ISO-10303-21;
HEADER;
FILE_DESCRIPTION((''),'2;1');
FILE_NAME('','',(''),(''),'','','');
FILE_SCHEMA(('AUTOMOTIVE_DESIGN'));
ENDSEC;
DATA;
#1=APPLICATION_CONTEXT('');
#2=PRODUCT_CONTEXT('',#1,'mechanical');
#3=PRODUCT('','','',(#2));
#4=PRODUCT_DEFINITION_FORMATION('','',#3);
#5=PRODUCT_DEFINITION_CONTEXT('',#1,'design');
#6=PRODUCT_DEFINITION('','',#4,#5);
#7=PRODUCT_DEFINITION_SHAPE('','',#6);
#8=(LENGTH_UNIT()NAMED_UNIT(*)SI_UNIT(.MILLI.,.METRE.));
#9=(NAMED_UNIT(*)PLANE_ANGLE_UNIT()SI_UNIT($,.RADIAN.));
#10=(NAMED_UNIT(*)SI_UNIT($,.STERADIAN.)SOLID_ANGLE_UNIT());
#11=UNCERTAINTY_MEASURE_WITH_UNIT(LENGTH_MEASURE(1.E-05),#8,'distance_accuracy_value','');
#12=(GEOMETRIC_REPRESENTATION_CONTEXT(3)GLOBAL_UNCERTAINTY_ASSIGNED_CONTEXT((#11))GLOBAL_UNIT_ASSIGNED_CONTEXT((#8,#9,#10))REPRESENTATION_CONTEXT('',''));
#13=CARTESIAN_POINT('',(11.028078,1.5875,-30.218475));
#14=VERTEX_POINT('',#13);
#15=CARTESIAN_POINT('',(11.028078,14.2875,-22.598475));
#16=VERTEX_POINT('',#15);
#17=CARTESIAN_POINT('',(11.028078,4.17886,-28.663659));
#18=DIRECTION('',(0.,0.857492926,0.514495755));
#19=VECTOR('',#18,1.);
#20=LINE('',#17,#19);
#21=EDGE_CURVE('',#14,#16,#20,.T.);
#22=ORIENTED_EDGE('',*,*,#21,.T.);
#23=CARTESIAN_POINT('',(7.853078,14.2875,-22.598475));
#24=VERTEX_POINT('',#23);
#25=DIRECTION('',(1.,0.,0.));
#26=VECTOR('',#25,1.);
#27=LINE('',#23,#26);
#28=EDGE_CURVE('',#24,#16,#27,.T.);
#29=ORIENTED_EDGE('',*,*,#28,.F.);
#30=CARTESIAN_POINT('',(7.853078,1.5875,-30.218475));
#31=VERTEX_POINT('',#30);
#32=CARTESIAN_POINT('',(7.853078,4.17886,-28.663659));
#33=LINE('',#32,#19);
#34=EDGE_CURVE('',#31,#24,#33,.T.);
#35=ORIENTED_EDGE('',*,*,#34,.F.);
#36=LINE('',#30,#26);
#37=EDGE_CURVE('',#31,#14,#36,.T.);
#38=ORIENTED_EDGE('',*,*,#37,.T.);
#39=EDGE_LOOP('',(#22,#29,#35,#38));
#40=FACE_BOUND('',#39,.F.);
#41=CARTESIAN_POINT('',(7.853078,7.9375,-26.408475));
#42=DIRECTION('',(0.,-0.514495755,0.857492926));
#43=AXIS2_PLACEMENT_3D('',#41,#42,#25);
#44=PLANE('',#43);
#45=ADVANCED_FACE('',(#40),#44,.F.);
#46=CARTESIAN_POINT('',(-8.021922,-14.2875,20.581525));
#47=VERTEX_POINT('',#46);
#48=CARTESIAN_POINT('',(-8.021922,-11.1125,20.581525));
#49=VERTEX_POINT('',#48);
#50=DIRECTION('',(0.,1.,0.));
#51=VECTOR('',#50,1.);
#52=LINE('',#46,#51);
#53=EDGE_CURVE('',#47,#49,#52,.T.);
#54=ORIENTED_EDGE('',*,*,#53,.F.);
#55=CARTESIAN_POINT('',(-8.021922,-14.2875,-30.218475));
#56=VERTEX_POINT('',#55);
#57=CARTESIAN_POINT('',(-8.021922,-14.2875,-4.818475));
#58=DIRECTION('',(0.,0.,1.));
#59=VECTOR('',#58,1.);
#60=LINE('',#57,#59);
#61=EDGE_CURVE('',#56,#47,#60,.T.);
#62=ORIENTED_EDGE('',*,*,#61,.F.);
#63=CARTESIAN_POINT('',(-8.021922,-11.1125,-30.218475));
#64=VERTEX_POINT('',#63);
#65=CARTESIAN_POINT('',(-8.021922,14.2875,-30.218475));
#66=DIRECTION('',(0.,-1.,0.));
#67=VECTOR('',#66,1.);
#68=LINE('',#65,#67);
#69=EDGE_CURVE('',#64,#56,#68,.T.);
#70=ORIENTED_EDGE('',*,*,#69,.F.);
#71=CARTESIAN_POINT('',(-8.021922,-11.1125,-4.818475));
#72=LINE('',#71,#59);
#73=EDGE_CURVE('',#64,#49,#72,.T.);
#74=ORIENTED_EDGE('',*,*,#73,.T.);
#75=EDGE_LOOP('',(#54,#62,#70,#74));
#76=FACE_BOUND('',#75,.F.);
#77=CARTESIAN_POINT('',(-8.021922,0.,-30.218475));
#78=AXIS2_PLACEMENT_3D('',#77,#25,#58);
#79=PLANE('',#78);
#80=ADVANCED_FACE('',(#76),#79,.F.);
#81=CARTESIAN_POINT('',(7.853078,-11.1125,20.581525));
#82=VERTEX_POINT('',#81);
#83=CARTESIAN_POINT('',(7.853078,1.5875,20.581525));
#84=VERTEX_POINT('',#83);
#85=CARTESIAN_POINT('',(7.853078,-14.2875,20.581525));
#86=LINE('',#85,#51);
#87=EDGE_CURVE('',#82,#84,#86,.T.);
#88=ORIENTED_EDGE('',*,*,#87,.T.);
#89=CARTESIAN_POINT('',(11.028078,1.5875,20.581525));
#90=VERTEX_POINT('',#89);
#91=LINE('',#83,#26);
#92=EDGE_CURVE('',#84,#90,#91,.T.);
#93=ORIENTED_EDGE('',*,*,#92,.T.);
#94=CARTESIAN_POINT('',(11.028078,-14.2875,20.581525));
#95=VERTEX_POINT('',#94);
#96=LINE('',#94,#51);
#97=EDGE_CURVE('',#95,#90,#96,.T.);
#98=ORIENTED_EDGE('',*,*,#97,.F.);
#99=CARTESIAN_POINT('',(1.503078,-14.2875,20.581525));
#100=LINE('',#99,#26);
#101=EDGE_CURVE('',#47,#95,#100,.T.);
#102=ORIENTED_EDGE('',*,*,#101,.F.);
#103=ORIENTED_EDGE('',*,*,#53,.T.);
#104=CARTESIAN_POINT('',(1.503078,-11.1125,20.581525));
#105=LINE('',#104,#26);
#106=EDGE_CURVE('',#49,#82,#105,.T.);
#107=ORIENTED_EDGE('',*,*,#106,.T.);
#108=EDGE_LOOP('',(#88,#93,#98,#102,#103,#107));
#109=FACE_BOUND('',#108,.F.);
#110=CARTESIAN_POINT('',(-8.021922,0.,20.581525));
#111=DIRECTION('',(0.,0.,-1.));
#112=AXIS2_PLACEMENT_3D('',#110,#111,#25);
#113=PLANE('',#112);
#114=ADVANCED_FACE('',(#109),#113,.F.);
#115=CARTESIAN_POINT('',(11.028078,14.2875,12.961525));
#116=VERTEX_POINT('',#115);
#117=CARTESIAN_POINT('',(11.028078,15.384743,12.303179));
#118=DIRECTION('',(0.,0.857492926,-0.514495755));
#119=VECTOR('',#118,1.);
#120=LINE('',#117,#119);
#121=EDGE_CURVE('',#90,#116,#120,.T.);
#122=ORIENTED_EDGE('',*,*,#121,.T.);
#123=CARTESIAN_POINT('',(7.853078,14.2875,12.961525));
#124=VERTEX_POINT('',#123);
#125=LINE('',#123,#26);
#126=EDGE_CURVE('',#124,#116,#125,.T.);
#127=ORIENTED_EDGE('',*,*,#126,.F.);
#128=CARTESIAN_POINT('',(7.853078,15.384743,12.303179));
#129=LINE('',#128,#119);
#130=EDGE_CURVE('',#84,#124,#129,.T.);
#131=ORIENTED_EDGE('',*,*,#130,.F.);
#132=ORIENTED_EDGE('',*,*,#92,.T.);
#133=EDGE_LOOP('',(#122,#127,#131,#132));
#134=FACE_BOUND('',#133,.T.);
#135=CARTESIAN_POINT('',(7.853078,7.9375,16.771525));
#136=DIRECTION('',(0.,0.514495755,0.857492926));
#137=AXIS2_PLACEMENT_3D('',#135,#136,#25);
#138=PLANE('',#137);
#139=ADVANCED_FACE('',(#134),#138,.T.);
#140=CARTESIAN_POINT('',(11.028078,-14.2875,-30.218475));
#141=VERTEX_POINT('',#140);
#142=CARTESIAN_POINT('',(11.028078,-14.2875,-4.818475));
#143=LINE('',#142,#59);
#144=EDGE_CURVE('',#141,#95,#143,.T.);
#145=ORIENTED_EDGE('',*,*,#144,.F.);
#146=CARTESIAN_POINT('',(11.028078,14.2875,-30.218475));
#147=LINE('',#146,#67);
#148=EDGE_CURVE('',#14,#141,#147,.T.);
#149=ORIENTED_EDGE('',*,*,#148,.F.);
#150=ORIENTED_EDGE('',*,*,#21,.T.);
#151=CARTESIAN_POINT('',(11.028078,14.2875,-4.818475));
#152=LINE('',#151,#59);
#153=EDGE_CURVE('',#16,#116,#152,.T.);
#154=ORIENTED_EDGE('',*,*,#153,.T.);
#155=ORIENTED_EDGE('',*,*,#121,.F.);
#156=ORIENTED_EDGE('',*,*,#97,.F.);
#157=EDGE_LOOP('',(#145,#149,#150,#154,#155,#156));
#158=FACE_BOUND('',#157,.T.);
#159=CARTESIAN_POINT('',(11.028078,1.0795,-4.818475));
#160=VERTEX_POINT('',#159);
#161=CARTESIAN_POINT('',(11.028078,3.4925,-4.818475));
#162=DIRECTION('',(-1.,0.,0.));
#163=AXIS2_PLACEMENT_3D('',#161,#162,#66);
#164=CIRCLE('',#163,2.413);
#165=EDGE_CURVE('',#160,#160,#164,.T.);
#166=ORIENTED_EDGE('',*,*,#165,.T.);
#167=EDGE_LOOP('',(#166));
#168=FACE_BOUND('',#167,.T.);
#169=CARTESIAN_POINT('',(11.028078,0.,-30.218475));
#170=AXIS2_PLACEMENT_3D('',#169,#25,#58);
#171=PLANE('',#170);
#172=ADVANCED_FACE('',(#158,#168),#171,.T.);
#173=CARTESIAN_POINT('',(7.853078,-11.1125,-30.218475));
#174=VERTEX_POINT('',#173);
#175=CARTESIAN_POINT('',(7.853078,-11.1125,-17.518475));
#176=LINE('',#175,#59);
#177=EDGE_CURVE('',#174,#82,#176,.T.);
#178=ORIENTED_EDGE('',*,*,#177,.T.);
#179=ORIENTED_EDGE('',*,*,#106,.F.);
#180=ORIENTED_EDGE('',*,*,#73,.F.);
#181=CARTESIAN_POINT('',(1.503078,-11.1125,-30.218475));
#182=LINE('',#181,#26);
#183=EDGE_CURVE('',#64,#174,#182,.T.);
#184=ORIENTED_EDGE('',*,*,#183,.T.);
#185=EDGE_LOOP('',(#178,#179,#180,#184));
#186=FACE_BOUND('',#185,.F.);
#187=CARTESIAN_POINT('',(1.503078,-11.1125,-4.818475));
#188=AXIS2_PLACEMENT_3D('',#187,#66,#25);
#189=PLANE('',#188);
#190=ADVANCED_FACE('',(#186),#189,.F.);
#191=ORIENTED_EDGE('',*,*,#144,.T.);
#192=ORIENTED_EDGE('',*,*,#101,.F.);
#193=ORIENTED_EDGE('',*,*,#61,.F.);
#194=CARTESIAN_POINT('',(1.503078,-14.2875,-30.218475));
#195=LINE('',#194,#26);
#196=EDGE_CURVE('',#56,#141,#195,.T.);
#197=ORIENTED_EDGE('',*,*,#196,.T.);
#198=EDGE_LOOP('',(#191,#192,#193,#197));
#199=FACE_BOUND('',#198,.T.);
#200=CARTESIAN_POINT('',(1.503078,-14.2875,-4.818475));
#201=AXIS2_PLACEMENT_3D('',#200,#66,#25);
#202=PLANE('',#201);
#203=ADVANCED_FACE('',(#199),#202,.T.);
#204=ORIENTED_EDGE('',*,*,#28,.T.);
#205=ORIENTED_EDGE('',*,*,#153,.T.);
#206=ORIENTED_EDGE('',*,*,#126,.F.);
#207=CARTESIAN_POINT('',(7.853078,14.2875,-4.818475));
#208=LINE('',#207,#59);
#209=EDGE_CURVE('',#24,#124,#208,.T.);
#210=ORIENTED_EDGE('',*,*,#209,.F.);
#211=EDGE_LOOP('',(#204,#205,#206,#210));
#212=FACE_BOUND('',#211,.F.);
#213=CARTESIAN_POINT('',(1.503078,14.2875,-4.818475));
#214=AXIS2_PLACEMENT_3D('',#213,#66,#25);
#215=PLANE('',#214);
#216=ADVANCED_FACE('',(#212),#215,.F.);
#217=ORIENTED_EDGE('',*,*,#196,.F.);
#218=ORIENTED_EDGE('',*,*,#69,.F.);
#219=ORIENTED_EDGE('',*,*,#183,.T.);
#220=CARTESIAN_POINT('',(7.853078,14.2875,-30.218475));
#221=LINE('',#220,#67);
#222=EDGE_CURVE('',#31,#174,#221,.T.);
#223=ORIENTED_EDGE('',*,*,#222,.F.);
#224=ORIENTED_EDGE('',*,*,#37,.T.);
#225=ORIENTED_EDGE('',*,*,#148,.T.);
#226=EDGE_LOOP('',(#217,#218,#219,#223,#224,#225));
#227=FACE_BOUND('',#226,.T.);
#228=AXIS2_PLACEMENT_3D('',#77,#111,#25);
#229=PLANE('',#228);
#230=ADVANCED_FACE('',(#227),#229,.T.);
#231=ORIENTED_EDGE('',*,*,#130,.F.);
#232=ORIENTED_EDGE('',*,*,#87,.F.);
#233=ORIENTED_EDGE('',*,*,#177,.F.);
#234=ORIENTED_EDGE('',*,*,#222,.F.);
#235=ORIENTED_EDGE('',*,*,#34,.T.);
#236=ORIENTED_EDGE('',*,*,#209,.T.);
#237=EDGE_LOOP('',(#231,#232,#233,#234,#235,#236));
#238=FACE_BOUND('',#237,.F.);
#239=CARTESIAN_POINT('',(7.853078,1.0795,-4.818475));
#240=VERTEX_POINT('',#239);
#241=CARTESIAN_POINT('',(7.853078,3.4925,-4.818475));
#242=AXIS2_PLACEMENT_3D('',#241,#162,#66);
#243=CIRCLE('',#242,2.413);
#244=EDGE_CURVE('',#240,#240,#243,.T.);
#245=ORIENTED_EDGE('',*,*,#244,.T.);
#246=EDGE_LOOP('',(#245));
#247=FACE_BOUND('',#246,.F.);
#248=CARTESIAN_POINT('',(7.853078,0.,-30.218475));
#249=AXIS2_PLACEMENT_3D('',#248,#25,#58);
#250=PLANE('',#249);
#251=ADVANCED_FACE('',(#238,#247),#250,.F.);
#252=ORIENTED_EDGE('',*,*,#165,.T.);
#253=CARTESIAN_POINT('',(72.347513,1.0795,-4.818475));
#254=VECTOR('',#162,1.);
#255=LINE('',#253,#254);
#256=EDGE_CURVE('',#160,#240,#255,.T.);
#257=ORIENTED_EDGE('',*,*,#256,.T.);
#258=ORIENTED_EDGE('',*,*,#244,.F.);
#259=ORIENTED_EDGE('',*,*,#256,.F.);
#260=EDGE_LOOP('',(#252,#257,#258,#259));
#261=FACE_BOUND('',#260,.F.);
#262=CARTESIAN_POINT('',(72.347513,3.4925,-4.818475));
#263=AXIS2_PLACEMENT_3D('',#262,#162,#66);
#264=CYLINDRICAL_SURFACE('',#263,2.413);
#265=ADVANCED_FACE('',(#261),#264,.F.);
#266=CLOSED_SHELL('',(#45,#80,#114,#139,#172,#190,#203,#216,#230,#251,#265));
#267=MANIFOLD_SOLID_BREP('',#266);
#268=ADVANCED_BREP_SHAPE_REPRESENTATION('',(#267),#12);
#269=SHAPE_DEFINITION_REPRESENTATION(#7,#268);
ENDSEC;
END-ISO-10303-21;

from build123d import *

# Parameters (mm, degrees)
F0_W     = 19.05
F0_H     = 50.8
F1_DEPTH = 14.2875
F2_T     = -3.175
F4_D     = 4.826
F5_SIZE2 = 7.62
F5_SIZE  = 12.7


with BuildPart() as f1:
    # F0 (on Front) → F1 (new body, symmetric)
    with BuildSketch(Plane.XZ):
        with Locations((1.503078, -4.818475)):
            Rectangle(F0_W, F0_H)
    extrude(amount=F1_DEPTH, both=True)

    # F2
    f2_openings = [f1.faces().sort_by_distance(p)[0] for p in [
        (-8.021922, 0, -4.818475),
        (1.503078, 0, -30.218475),
        (1.503078, 14.2875, -4.818475),
        (1.503078, 0, 20.581525),
    ]]
    offset(amount=F2_T, openings=f2_openings)

    # F4 (through all)
    with Locations(Plane.YZ.offset(11.028078)):
        with Locations((3.4925, -4.818475)):
            Hole(F4_D / 2)

    # F5
    f5_edges = [f1.edges().sort_by_distance(p)[0] for p in [
        (9.440578, 14.2875, -30.218475),
        (9.440578, 14.2875, 20.581525),
    ]]
    chamfer(f5_edges, length=F5_SIZE, length2=F5_SIZE2)


solid = f1.part
